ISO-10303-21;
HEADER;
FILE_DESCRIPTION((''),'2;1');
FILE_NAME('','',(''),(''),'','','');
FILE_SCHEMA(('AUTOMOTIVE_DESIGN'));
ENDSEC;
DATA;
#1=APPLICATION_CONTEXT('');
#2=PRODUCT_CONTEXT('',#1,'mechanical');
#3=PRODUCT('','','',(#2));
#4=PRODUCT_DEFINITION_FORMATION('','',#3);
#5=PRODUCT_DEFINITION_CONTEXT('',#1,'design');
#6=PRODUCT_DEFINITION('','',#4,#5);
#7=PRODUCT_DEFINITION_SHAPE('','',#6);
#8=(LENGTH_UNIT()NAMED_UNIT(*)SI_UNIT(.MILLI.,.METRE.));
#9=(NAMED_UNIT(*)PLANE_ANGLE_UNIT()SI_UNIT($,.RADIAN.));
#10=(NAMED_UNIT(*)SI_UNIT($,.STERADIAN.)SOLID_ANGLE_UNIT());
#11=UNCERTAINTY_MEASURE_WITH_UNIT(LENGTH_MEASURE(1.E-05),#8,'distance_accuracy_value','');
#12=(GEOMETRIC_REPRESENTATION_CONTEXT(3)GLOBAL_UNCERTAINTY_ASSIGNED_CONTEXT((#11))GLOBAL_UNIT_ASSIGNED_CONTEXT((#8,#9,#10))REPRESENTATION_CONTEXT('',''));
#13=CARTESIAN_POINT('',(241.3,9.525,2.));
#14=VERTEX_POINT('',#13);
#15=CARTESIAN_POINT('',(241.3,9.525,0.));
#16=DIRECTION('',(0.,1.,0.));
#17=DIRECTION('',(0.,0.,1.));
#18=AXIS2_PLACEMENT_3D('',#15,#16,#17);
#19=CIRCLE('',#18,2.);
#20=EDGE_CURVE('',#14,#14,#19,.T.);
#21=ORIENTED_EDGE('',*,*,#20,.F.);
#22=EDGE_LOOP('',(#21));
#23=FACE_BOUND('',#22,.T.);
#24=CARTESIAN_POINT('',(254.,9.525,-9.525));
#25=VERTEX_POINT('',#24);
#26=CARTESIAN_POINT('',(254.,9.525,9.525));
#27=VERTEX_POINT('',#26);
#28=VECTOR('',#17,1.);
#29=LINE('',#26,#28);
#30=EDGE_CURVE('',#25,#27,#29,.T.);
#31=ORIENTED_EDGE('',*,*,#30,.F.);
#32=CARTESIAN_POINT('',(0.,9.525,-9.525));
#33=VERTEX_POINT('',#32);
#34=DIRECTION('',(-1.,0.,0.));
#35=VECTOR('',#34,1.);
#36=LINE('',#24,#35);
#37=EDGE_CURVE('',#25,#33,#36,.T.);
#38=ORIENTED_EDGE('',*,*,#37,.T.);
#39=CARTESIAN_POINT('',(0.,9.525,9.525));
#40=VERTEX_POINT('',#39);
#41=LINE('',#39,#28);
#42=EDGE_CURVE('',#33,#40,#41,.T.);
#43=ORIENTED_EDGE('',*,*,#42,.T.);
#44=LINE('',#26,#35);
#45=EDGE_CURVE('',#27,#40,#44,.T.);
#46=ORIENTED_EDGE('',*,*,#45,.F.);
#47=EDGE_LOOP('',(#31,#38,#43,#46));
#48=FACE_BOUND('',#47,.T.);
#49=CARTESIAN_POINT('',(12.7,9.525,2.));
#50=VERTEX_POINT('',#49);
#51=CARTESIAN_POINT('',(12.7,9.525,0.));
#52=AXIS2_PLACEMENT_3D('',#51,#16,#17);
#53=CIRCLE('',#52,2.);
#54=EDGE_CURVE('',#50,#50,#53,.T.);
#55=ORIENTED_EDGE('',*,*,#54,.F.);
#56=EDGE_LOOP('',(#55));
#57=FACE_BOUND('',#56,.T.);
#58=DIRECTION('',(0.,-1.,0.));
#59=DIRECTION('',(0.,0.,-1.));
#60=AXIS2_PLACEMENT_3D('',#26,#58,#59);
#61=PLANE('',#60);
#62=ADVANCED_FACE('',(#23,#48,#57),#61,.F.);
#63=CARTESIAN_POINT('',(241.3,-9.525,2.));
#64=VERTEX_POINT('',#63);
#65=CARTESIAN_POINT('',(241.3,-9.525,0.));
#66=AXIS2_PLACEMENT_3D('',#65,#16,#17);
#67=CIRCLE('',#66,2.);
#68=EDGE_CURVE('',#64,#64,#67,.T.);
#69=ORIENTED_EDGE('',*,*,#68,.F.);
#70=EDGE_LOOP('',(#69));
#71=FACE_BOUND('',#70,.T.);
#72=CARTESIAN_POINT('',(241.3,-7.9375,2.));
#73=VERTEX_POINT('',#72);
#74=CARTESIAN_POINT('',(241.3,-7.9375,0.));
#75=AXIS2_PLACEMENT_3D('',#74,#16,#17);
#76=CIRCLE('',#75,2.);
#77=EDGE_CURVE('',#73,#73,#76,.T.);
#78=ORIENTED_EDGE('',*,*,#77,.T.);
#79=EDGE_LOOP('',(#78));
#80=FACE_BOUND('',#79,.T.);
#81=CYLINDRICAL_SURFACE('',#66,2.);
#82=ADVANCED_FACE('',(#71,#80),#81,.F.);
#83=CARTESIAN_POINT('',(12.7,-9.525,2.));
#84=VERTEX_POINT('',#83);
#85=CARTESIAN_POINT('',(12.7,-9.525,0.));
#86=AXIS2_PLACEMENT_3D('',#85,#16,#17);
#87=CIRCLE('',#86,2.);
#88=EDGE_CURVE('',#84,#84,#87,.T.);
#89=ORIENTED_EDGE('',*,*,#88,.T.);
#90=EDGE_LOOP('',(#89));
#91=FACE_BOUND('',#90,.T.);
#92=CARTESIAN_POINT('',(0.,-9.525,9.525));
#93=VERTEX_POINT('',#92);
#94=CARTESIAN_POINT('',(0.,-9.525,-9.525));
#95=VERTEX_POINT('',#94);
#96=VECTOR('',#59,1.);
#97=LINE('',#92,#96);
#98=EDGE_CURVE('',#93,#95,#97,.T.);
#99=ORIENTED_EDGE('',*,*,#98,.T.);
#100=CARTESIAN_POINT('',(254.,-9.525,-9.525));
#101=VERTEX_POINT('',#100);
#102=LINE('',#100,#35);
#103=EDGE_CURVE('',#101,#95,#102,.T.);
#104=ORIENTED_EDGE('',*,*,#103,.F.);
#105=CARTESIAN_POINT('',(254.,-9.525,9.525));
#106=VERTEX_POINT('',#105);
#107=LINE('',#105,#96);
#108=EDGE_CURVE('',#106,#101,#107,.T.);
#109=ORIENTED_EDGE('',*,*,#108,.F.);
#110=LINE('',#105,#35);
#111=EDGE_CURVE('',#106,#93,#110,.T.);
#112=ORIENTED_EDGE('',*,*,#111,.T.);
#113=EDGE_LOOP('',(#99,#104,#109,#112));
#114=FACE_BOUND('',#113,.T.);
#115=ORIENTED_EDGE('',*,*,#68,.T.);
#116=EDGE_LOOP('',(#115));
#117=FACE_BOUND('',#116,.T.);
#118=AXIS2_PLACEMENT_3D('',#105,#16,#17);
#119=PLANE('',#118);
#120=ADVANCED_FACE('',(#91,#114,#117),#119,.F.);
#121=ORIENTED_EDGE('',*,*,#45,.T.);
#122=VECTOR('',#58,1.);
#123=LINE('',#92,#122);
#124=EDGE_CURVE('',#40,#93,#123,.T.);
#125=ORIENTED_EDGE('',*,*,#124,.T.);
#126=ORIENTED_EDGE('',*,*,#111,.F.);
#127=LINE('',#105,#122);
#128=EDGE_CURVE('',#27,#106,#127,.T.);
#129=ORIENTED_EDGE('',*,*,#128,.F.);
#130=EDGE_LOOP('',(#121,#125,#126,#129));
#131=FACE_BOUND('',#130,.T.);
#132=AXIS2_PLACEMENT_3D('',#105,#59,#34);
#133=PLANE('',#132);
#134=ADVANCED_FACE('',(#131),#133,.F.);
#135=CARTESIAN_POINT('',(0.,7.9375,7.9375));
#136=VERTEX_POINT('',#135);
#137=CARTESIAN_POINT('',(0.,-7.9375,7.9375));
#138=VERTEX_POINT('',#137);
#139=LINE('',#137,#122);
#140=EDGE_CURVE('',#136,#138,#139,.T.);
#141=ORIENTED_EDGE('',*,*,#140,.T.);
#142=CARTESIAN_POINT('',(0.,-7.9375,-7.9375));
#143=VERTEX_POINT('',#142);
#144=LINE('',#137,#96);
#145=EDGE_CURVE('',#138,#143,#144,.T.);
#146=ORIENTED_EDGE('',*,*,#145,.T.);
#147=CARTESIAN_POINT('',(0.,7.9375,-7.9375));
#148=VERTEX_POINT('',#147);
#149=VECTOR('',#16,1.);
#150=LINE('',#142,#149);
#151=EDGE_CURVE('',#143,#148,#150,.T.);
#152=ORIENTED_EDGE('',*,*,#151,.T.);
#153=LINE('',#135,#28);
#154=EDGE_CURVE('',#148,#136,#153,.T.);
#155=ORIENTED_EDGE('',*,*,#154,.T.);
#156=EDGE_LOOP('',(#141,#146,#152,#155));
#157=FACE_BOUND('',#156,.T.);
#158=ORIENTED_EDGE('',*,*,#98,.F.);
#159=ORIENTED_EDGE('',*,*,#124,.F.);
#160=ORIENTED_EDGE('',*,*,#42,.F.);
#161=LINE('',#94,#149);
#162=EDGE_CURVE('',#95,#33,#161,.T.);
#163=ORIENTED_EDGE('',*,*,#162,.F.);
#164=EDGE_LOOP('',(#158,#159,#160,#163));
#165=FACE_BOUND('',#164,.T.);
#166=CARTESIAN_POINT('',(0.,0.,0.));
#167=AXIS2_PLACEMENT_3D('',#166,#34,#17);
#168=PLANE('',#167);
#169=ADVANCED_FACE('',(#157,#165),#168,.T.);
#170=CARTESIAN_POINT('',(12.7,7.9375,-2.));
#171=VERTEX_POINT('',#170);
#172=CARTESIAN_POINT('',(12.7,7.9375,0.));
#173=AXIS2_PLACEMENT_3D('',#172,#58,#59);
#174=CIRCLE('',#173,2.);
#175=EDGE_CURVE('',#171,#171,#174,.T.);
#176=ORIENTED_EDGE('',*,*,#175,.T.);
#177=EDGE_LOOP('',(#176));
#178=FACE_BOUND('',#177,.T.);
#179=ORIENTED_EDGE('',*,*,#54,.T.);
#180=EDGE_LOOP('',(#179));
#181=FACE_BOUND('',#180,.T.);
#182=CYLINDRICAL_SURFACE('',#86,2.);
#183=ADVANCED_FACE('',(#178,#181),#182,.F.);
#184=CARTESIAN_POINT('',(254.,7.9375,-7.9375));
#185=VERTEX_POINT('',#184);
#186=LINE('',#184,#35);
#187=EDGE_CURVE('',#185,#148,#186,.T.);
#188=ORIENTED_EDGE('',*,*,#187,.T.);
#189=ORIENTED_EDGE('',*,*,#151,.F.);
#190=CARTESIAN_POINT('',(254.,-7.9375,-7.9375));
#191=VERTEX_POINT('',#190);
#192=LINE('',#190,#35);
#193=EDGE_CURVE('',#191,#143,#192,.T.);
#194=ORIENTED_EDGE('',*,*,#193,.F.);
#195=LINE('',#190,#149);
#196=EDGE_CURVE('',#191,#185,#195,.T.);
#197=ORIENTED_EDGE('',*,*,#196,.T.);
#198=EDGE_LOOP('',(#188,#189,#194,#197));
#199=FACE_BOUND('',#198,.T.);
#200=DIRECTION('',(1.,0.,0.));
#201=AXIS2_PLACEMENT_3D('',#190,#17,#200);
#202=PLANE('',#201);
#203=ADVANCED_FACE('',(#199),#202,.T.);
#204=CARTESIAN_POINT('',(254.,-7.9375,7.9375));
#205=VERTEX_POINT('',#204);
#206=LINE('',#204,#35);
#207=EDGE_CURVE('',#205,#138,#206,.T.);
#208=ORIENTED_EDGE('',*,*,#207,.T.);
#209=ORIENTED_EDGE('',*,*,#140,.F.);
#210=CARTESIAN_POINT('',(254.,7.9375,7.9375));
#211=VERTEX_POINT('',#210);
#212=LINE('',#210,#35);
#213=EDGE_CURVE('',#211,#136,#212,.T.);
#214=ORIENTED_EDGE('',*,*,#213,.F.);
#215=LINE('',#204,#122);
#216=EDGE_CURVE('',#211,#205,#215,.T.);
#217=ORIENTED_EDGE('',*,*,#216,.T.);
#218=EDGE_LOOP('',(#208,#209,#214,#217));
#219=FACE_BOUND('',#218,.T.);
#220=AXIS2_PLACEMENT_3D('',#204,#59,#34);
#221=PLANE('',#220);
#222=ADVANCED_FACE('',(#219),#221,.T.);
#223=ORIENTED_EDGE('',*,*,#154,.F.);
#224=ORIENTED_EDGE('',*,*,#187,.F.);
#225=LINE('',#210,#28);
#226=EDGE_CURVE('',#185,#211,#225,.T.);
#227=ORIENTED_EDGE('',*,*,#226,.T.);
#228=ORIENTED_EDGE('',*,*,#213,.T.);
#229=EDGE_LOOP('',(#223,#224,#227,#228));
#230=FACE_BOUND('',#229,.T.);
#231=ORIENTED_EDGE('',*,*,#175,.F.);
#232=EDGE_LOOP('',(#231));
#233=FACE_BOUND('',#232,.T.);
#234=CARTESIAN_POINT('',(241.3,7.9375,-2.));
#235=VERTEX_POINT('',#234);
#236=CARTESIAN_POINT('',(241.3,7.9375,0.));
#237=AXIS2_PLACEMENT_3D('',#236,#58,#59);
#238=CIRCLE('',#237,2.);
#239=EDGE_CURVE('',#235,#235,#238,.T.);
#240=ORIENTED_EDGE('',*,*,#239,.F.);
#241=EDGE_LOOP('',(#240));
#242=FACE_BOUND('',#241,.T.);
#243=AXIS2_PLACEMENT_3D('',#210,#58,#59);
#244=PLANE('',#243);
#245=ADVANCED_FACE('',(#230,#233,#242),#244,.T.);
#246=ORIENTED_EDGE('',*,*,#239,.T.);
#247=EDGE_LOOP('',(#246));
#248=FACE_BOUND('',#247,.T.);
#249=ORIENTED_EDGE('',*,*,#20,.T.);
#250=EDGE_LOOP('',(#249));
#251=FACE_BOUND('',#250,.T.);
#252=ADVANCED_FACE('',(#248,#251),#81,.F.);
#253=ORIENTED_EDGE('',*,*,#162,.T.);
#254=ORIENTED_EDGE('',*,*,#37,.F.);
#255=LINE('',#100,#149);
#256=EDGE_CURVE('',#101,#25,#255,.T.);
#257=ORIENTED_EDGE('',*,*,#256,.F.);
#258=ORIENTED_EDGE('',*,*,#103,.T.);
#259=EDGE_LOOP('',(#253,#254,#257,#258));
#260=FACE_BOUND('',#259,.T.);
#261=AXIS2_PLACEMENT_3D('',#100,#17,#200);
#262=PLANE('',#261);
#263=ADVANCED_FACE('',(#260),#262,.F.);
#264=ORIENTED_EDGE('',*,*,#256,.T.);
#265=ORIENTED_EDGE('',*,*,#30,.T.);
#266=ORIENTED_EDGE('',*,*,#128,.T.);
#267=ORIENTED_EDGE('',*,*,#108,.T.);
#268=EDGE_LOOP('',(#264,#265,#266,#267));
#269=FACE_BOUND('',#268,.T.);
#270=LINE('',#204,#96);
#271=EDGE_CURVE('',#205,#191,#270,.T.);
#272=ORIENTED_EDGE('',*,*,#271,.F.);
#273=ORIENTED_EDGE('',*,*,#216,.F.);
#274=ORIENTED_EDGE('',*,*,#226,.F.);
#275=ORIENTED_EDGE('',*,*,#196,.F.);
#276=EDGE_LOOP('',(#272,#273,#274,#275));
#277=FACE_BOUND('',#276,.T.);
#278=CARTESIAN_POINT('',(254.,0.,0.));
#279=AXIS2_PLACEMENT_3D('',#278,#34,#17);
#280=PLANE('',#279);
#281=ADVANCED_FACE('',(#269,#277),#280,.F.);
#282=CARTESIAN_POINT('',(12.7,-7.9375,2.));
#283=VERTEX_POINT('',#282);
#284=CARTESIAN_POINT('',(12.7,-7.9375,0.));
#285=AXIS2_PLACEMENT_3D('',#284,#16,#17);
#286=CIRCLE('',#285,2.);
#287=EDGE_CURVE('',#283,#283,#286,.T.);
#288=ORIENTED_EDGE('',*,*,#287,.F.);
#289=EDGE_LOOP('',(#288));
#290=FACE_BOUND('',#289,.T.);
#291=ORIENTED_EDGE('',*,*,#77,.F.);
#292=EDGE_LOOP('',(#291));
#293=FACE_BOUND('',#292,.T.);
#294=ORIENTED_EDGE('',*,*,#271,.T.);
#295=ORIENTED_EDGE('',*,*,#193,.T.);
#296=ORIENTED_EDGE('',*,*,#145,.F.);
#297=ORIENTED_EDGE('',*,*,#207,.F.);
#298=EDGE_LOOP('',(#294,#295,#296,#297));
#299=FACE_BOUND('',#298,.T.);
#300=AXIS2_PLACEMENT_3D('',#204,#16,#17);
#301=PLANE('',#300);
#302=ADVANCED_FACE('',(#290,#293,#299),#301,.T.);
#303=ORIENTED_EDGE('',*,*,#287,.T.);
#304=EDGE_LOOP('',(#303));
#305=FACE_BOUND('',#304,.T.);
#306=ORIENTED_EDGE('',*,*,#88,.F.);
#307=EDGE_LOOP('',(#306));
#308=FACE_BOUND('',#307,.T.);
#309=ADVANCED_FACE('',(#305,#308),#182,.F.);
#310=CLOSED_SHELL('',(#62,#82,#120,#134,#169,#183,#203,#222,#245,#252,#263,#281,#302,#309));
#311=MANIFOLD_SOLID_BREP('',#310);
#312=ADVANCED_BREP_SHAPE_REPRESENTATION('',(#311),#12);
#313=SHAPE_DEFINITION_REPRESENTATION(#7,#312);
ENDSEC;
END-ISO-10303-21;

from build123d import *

# Parameters (mm, degrees)
SKETCH1_W           = 19.05
SKETCH1_H           = 19.05
SKETCH1_W_2         = 15.875
SKETCH1_H_2         = 15.875
BOSS_EXTRUDE1_DEPTH = 254
SKETCH2_R           = 2
CUT_EXTRUDE1_DEPTH  = 255.891404573


with BuildPart() as part:
    # Sketch1 → Boss-Extrude1 (new body)
    with BuildSketch(Plane(origin=(0, 0, 0), x_dir=(0, 0, -1), z_dir=(1, 0, 0))):
        Rectangle(SKETCH1_W, SKETCH1_H)
        Rectangle(SKETCH1_W_2, SKETCH1_H_2, mode=Mode.SUBTRACT)
    extrude(amount=BOSS_EXTRUDE1_DEPTH)

    # Sketch2 → Cut-Extrude1 (cut, through all)
    with BuildSketch(Plane(origin=(0, 9.525, 0), x_dir=(1, 0, 0), z_dir=(0, 1, 0))):
        with Locations(Location((12.7, 0, 0), (0, 0, 270))):
            Circle(SKETCH2_R)
        with Locations(Location((241.3, 0, 0), (0, 0, 270))):
            Circle(SKETCH2_R)
    extrude(amount=-CUT_EXTRUDE1_DEPTH, mode=Mode.SUBTRACT)


solid = part.part
